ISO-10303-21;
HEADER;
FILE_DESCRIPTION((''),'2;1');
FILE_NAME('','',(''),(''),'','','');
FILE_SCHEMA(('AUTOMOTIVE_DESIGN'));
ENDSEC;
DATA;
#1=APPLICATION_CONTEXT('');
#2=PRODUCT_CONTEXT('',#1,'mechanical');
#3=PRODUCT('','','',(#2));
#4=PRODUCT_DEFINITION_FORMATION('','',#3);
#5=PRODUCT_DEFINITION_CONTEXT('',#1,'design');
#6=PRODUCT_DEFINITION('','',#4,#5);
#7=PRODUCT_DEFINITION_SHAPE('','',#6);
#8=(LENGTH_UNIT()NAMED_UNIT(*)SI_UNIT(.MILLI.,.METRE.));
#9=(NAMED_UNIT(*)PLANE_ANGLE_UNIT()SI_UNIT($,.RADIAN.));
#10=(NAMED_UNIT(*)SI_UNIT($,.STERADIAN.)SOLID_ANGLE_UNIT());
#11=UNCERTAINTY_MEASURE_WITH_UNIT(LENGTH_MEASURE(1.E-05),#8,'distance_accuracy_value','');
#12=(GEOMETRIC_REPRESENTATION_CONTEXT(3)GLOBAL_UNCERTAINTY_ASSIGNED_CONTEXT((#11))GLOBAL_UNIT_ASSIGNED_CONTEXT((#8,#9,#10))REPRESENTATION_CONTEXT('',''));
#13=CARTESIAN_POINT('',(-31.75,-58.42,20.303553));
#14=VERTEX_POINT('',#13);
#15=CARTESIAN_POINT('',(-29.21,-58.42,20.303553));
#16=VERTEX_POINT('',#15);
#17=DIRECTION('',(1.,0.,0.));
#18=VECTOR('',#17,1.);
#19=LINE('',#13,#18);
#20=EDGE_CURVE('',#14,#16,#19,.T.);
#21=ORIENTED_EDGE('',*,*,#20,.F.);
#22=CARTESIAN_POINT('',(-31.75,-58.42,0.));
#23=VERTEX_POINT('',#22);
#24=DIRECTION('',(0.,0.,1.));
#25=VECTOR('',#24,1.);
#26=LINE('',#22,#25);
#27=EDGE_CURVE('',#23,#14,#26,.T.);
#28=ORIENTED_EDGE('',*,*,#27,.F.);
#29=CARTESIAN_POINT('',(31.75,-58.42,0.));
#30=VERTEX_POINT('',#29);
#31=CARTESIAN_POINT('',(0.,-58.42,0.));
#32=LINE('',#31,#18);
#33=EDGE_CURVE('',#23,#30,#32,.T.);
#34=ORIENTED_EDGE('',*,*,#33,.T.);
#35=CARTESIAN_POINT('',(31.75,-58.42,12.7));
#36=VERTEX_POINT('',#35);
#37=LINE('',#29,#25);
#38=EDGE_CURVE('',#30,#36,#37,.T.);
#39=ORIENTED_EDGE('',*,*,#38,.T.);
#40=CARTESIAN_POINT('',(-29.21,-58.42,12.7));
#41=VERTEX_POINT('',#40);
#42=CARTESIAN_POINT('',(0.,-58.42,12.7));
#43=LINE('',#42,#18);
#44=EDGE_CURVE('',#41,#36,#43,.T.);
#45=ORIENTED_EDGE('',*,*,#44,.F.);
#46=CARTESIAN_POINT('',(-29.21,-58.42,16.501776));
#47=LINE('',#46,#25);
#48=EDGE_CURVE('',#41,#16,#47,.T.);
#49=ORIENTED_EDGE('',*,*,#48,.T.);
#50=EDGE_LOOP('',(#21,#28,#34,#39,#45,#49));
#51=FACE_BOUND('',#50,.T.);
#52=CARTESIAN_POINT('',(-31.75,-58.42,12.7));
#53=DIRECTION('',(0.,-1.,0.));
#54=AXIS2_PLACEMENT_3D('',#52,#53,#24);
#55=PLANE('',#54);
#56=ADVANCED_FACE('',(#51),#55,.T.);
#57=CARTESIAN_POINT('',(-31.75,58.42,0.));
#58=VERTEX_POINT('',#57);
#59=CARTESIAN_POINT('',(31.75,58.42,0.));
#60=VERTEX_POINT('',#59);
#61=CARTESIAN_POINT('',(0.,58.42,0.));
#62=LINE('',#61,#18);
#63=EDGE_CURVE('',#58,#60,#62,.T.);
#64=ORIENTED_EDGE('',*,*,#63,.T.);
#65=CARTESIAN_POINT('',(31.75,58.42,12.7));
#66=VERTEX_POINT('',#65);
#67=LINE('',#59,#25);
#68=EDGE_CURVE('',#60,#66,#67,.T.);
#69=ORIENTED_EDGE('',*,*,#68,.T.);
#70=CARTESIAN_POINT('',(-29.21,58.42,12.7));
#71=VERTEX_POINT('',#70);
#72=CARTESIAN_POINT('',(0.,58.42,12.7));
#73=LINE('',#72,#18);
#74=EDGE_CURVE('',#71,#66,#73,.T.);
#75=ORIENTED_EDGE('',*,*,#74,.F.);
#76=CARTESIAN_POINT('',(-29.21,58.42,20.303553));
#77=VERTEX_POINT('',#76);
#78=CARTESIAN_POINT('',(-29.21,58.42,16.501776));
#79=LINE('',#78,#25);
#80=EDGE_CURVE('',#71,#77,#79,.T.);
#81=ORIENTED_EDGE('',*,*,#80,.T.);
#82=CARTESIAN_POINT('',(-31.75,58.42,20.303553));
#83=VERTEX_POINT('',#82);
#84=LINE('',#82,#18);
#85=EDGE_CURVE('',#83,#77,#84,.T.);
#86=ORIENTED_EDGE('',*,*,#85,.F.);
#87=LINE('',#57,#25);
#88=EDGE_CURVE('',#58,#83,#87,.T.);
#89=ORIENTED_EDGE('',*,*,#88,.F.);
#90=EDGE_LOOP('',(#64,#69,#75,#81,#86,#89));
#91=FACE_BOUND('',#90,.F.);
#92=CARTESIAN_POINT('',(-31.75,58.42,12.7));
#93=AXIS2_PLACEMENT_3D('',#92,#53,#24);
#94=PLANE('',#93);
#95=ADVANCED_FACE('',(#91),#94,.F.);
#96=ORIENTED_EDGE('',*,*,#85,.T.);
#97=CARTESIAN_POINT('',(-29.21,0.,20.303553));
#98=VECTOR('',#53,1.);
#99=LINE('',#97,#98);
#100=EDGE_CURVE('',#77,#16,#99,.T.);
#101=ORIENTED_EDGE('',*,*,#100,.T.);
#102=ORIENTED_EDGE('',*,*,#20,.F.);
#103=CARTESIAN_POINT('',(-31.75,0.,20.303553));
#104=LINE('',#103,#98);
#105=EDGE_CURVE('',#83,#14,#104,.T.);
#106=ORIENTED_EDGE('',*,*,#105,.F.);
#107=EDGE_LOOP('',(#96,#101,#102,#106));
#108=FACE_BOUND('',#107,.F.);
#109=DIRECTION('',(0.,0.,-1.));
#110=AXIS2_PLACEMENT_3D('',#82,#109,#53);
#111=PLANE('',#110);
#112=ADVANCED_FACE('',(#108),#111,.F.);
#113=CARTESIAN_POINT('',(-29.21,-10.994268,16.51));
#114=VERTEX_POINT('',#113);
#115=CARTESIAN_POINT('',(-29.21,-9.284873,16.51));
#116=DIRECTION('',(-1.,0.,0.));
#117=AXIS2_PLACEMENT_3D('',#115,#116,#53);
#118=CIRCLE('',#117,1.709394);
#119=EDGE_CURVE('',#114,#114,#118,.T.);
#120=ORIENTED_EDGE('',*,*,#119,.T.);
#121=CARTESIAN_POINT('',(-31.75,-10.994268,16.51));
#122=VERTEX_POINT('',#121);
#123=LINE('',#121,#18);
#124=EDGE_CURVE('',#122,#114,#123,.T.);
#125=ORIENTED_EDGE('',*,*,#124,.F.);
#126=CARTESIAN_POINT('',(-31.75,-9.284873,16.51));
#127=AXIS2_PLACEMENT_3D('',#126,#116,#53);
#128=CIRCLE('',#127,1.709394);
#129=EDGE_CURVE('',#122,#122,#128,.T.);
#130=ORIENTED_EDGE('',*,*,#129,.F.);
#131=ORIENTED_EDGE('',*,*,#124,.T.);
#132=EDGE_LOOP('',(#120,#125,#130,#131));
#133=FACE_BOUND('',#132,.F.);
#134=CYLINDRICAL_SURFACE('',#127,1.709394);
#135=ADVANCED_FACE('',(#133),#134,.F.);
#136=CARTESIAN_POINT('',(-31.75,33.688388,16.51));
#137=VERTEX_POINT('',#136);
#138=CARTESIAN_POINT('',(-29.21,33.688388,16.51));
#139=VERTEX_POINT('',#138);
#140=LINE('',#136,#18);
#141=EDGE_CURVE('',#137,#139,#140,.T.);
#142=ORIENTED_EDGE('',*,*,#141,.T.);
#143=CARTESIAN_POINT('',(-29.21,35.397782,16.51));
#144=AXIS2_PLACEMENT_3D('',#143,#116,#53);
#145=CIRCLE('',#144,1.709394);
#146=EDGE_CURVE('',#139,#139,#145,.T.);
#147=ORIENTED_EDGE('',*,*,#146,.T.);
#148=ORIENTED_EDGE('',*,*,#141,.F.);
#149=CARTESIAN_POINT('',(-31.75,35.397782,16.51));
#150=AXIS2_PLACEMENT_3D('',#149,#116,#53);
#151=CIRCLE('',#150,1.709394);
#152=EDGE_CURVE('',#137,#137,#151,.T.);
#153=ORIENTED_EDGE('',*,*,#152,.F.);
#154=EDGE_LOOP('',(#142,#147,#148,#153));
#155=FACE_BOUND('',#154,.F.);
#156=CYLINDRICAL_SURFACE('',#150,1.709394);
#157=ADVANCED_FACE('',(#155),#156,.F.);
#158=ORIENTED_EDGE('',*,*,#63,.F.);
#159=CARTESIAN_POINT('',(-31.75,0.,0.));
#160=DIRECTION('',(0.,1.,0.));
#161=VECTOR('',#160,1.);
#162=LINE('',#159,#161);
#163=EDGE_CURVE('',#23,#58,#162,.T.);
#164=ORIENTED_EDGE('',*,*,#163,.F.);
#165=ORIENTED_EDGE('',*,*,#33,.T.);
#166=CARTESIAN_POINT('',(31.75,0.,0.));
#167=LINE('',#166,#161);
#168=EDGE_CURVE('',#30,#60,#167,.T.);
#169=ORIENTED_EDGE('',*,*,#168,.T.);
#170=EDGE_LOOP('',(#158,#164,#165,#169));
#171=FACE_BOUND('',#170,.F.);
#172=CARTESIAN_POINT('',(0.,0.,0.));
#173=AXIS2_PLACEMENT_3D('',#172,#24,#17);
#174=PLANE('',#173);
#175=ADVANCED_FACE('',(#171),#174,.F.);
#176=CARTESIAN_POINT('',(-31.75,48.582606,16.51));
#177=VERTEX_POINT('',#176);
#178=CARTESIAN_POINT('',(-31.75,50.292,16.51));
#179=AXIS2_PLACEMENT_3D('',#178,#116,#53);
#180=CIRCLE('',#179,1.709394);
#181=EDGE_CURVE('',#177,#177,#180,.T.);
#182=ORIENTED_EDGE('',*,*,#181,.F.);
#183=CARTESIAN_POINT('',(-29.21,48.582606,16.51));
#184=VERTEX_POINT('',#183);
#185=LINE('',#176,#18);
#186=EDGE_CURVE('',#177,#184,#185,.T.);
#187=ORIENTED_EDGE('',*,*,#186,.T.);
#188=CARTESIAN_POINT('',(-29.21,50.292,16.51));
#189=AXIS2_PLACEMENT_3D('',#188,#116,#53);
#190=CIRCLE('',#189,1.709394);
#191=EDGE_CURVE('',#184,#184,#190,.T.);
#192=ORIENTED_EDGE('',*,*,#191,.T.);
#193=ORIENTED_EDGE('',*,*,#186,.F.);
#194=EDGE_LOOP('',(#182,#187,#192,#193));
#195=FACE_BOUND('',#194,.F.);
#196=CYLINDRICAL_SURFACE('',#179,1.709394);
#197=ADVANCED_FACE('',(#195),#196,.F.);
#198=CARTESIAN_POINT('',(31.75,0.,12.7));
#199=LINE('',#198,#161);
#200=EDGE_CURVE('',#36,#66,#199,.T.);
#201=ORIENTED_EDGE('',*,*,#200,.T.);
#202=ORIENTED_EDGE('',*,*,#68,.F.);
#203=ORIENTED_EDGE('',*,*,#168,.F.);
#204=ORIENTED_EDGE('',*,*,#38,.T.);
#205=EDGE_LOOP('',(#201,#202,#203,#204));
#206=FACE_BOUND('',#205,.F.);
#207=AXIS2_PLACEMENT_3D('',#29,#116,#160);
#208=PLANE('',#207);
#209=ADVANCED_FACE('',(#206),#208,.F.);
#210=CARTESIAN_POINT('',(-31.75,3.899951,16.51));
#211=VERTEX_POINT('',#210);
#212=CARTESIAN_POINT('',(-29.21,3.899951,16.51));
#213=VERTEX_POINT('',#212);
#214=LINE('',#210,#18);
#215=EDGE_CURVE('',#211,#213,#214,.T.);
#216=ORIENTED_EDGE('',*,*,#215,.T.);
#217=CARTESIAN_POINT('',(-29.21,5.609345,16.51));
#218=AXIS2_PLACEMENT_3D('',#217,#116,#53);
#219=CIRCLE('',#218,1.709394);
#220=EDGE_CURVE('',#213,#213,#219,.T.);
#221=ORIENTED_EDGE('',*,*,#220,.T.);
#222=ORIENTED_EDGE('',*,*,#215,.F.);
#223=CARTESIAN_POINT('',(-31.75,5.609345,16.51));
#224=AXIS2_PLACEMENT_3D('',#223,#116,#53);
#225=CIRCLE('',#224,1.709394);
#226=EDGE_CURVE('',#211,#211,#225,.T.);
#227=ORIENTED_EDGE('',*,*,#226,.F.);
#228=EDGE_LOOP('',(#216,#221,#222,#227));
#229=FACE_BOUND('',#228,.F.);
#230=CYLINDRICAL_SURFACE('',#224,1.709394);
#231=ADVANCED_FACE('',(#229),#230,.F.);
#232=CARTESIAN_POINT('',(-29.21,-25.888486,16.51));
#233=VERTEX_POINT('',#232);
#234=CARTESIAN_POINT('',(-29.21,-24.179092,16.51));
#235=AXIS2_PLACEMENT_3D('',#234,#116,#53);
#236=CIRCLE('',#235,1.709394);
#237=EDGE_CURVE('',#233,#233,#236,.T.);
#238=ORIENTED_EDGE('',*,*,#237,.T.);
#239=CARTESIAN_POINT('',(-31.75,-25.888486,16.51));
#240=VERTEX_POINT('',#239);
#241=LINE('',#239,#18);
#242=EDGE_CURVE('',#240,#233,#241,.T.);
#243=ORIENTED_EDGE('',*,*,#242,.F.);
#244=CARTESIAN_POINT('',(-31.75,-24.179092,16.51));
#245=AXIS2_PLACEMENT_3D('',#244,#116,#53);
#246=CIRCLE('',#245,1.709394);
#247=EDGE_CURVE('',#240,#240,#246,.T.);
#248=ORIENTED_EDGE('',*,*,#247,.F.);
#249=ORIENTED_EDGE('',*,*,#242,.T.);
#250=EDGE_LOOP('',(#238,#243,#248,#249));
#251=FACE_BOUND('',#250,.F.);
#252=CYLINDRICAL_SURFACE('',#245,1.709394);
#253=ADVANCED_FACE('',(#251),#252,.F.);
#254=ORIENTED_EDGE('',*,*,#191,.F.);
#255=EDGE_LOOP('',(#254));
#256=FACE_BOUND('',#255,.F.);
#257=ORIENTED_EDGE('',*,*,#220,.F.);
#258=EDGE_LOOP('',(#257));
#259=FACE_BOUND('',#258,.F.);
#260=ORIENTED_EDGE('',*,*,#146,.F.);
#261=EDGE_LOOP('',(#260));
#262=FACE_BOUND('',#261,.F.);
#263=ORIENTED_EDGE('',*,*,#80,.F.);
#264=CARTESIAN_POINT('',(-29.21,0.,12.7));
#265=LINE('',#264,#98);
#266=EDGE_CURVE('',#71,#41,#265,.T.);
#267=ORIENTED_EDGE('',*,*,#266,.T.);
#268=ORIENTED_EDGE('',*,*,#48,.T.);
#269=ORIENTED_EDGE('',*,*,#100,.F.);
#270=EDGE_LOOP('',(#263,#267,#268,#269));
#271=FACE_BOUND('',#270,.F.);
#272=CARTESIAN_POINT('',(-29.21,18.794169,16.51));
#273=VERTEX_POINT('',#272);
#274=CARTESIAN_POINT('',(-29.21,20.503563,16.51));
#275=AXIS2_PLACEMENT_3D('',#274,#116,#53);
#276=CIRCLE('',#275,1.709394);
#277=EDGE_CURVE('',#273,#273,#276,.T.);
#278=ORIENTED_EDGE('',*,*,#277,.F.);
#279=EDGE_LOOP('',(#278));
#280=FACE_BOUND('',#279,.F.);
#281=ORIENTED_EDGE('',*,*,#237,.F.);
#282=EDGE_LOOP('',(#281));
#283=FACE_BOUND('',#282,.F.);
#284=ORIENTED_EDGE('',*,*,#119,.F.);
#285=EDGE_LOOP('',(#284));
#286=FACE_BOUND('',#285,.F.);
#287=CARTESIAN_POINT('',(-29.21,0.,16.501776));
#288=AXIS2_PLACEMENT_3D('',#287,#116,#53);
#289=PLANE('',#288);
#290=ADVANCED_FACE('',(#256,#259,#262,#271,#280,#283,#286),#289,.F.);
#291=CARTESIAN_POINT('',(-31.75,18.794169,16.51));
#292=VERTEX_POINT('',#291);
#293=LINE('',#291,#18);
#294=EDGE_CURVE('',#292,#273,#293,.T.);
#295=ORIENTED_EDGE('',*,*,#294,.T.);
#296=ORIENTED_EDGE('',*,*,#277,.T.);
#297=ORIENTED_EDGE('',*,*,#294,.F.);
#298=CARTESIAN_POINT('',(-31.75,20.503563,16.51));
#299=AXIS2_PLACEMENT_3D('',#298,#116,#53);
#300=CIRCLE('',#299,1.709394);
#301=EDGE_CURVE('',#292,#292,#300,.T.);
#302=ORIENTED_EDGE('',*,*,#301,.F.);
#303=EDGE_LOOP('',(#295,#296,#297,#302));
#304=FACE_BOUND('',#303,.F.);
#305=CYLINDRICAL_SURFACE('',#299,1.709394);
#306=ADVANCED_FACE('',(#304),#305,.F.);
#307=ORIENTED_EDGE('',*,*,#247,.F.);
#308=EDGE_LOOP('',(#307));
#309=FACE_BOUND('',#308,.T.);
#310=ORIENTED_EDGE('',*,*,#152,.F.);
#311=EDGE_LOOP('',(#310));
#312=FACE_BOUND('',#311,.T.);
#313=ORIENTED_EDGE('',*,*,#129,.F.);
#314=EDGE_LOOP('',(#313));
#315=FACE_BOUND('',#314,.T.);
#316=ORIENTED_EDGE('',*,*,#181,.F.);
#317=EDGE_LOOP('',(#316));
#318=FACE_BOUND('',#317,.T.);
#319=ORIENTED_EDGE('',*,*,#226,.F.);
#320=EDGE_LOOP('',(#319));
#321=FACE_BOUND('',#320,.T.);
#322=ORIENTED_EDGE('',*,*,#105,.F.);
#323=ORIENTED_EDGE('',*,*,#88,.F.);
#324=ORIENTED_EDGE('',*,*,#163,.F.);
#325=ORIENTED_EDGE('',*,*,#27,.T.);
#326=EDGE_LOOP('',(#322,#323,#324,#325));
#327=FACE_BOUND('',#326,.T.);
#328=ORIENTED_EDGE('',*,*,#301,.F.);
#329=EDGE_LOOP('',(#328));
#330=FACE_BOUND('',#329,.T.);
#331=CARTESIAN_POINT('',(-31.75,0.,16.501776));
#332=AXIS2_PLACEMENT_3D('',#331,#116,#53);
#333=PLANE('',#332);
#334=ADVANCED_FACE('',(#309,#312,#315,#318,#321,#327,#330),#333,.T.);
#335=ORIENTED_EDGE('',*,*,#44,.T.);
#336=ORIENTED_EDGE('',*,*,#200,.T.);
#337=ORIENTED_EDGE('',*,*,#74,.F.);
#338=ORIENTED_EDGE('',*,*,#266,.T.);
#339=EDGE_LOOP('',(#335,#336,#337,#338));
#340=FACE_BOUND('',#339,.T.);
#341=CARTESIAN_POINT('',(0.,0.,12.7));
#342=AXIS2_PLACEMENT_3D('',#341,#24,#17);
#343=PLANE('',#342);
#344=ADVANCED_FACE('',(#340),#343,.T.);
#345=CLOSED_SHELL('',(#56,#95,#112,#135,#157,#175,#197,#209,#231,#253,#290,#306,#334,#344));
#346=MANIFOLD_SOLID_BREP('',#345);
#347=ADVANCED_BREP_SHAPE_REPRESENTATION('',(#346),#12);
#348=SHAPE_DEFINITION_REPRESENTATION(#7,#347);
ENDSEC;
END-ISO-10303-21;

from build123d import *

# Parameters (mm, degrees)
F0_W     = 63.5
F0_H     = 116.84
F1_DEPTH = 12.7
F2_W     = 116.84
F2_H     = 7.6035529703
F2_R     = 1.7093941464
F3_DEPTH = 2.54


with BuildPart() as f1:
    # F0 (on Top) → F1 (new body)
    with BuildSketch(Plane.XY):
        Rectangle(F0_W, F0_H)
    extrude(amount=F1_DEPTH)

    # F2 (on face) → F3 (join)
    with BuildSketch(Plane(origin=(-31.75, 0, 0), x_dir=(0, -1, 0), z_dir=(-1, 0, 0))):
        with Locations((0, 16.5017764851)):
            Rectangle(F2_W, F2_H)
        with Locations((-50.292, 16.51)):
            Circle(F2_R, mode=Mode.SUBTRACT)
        with Locations((-35.3977816476, 16.51)):
            Circle(F2_R, mode=Mode.SUBTRACT)
        with Locations((-20.5035632952, 16.51)):
            Circle(F2_R, mode=Mode.SUBTRACT)
        with Locations((-5.6093449428, 16.51)):
            Circle(F2_R, mode=Mode.SUBTRACT)
        with Locations((9.2848734097, 16.51)):
            Circle(F2_R, mode=Mode.SUBTRACT)
        with Locations((24.1790917621, 16.51)):
            Circle(F2_R, mode=Mode.SUBTRACT)
    extrude(amount=-F3_DEPTH)


solid = f1.part
